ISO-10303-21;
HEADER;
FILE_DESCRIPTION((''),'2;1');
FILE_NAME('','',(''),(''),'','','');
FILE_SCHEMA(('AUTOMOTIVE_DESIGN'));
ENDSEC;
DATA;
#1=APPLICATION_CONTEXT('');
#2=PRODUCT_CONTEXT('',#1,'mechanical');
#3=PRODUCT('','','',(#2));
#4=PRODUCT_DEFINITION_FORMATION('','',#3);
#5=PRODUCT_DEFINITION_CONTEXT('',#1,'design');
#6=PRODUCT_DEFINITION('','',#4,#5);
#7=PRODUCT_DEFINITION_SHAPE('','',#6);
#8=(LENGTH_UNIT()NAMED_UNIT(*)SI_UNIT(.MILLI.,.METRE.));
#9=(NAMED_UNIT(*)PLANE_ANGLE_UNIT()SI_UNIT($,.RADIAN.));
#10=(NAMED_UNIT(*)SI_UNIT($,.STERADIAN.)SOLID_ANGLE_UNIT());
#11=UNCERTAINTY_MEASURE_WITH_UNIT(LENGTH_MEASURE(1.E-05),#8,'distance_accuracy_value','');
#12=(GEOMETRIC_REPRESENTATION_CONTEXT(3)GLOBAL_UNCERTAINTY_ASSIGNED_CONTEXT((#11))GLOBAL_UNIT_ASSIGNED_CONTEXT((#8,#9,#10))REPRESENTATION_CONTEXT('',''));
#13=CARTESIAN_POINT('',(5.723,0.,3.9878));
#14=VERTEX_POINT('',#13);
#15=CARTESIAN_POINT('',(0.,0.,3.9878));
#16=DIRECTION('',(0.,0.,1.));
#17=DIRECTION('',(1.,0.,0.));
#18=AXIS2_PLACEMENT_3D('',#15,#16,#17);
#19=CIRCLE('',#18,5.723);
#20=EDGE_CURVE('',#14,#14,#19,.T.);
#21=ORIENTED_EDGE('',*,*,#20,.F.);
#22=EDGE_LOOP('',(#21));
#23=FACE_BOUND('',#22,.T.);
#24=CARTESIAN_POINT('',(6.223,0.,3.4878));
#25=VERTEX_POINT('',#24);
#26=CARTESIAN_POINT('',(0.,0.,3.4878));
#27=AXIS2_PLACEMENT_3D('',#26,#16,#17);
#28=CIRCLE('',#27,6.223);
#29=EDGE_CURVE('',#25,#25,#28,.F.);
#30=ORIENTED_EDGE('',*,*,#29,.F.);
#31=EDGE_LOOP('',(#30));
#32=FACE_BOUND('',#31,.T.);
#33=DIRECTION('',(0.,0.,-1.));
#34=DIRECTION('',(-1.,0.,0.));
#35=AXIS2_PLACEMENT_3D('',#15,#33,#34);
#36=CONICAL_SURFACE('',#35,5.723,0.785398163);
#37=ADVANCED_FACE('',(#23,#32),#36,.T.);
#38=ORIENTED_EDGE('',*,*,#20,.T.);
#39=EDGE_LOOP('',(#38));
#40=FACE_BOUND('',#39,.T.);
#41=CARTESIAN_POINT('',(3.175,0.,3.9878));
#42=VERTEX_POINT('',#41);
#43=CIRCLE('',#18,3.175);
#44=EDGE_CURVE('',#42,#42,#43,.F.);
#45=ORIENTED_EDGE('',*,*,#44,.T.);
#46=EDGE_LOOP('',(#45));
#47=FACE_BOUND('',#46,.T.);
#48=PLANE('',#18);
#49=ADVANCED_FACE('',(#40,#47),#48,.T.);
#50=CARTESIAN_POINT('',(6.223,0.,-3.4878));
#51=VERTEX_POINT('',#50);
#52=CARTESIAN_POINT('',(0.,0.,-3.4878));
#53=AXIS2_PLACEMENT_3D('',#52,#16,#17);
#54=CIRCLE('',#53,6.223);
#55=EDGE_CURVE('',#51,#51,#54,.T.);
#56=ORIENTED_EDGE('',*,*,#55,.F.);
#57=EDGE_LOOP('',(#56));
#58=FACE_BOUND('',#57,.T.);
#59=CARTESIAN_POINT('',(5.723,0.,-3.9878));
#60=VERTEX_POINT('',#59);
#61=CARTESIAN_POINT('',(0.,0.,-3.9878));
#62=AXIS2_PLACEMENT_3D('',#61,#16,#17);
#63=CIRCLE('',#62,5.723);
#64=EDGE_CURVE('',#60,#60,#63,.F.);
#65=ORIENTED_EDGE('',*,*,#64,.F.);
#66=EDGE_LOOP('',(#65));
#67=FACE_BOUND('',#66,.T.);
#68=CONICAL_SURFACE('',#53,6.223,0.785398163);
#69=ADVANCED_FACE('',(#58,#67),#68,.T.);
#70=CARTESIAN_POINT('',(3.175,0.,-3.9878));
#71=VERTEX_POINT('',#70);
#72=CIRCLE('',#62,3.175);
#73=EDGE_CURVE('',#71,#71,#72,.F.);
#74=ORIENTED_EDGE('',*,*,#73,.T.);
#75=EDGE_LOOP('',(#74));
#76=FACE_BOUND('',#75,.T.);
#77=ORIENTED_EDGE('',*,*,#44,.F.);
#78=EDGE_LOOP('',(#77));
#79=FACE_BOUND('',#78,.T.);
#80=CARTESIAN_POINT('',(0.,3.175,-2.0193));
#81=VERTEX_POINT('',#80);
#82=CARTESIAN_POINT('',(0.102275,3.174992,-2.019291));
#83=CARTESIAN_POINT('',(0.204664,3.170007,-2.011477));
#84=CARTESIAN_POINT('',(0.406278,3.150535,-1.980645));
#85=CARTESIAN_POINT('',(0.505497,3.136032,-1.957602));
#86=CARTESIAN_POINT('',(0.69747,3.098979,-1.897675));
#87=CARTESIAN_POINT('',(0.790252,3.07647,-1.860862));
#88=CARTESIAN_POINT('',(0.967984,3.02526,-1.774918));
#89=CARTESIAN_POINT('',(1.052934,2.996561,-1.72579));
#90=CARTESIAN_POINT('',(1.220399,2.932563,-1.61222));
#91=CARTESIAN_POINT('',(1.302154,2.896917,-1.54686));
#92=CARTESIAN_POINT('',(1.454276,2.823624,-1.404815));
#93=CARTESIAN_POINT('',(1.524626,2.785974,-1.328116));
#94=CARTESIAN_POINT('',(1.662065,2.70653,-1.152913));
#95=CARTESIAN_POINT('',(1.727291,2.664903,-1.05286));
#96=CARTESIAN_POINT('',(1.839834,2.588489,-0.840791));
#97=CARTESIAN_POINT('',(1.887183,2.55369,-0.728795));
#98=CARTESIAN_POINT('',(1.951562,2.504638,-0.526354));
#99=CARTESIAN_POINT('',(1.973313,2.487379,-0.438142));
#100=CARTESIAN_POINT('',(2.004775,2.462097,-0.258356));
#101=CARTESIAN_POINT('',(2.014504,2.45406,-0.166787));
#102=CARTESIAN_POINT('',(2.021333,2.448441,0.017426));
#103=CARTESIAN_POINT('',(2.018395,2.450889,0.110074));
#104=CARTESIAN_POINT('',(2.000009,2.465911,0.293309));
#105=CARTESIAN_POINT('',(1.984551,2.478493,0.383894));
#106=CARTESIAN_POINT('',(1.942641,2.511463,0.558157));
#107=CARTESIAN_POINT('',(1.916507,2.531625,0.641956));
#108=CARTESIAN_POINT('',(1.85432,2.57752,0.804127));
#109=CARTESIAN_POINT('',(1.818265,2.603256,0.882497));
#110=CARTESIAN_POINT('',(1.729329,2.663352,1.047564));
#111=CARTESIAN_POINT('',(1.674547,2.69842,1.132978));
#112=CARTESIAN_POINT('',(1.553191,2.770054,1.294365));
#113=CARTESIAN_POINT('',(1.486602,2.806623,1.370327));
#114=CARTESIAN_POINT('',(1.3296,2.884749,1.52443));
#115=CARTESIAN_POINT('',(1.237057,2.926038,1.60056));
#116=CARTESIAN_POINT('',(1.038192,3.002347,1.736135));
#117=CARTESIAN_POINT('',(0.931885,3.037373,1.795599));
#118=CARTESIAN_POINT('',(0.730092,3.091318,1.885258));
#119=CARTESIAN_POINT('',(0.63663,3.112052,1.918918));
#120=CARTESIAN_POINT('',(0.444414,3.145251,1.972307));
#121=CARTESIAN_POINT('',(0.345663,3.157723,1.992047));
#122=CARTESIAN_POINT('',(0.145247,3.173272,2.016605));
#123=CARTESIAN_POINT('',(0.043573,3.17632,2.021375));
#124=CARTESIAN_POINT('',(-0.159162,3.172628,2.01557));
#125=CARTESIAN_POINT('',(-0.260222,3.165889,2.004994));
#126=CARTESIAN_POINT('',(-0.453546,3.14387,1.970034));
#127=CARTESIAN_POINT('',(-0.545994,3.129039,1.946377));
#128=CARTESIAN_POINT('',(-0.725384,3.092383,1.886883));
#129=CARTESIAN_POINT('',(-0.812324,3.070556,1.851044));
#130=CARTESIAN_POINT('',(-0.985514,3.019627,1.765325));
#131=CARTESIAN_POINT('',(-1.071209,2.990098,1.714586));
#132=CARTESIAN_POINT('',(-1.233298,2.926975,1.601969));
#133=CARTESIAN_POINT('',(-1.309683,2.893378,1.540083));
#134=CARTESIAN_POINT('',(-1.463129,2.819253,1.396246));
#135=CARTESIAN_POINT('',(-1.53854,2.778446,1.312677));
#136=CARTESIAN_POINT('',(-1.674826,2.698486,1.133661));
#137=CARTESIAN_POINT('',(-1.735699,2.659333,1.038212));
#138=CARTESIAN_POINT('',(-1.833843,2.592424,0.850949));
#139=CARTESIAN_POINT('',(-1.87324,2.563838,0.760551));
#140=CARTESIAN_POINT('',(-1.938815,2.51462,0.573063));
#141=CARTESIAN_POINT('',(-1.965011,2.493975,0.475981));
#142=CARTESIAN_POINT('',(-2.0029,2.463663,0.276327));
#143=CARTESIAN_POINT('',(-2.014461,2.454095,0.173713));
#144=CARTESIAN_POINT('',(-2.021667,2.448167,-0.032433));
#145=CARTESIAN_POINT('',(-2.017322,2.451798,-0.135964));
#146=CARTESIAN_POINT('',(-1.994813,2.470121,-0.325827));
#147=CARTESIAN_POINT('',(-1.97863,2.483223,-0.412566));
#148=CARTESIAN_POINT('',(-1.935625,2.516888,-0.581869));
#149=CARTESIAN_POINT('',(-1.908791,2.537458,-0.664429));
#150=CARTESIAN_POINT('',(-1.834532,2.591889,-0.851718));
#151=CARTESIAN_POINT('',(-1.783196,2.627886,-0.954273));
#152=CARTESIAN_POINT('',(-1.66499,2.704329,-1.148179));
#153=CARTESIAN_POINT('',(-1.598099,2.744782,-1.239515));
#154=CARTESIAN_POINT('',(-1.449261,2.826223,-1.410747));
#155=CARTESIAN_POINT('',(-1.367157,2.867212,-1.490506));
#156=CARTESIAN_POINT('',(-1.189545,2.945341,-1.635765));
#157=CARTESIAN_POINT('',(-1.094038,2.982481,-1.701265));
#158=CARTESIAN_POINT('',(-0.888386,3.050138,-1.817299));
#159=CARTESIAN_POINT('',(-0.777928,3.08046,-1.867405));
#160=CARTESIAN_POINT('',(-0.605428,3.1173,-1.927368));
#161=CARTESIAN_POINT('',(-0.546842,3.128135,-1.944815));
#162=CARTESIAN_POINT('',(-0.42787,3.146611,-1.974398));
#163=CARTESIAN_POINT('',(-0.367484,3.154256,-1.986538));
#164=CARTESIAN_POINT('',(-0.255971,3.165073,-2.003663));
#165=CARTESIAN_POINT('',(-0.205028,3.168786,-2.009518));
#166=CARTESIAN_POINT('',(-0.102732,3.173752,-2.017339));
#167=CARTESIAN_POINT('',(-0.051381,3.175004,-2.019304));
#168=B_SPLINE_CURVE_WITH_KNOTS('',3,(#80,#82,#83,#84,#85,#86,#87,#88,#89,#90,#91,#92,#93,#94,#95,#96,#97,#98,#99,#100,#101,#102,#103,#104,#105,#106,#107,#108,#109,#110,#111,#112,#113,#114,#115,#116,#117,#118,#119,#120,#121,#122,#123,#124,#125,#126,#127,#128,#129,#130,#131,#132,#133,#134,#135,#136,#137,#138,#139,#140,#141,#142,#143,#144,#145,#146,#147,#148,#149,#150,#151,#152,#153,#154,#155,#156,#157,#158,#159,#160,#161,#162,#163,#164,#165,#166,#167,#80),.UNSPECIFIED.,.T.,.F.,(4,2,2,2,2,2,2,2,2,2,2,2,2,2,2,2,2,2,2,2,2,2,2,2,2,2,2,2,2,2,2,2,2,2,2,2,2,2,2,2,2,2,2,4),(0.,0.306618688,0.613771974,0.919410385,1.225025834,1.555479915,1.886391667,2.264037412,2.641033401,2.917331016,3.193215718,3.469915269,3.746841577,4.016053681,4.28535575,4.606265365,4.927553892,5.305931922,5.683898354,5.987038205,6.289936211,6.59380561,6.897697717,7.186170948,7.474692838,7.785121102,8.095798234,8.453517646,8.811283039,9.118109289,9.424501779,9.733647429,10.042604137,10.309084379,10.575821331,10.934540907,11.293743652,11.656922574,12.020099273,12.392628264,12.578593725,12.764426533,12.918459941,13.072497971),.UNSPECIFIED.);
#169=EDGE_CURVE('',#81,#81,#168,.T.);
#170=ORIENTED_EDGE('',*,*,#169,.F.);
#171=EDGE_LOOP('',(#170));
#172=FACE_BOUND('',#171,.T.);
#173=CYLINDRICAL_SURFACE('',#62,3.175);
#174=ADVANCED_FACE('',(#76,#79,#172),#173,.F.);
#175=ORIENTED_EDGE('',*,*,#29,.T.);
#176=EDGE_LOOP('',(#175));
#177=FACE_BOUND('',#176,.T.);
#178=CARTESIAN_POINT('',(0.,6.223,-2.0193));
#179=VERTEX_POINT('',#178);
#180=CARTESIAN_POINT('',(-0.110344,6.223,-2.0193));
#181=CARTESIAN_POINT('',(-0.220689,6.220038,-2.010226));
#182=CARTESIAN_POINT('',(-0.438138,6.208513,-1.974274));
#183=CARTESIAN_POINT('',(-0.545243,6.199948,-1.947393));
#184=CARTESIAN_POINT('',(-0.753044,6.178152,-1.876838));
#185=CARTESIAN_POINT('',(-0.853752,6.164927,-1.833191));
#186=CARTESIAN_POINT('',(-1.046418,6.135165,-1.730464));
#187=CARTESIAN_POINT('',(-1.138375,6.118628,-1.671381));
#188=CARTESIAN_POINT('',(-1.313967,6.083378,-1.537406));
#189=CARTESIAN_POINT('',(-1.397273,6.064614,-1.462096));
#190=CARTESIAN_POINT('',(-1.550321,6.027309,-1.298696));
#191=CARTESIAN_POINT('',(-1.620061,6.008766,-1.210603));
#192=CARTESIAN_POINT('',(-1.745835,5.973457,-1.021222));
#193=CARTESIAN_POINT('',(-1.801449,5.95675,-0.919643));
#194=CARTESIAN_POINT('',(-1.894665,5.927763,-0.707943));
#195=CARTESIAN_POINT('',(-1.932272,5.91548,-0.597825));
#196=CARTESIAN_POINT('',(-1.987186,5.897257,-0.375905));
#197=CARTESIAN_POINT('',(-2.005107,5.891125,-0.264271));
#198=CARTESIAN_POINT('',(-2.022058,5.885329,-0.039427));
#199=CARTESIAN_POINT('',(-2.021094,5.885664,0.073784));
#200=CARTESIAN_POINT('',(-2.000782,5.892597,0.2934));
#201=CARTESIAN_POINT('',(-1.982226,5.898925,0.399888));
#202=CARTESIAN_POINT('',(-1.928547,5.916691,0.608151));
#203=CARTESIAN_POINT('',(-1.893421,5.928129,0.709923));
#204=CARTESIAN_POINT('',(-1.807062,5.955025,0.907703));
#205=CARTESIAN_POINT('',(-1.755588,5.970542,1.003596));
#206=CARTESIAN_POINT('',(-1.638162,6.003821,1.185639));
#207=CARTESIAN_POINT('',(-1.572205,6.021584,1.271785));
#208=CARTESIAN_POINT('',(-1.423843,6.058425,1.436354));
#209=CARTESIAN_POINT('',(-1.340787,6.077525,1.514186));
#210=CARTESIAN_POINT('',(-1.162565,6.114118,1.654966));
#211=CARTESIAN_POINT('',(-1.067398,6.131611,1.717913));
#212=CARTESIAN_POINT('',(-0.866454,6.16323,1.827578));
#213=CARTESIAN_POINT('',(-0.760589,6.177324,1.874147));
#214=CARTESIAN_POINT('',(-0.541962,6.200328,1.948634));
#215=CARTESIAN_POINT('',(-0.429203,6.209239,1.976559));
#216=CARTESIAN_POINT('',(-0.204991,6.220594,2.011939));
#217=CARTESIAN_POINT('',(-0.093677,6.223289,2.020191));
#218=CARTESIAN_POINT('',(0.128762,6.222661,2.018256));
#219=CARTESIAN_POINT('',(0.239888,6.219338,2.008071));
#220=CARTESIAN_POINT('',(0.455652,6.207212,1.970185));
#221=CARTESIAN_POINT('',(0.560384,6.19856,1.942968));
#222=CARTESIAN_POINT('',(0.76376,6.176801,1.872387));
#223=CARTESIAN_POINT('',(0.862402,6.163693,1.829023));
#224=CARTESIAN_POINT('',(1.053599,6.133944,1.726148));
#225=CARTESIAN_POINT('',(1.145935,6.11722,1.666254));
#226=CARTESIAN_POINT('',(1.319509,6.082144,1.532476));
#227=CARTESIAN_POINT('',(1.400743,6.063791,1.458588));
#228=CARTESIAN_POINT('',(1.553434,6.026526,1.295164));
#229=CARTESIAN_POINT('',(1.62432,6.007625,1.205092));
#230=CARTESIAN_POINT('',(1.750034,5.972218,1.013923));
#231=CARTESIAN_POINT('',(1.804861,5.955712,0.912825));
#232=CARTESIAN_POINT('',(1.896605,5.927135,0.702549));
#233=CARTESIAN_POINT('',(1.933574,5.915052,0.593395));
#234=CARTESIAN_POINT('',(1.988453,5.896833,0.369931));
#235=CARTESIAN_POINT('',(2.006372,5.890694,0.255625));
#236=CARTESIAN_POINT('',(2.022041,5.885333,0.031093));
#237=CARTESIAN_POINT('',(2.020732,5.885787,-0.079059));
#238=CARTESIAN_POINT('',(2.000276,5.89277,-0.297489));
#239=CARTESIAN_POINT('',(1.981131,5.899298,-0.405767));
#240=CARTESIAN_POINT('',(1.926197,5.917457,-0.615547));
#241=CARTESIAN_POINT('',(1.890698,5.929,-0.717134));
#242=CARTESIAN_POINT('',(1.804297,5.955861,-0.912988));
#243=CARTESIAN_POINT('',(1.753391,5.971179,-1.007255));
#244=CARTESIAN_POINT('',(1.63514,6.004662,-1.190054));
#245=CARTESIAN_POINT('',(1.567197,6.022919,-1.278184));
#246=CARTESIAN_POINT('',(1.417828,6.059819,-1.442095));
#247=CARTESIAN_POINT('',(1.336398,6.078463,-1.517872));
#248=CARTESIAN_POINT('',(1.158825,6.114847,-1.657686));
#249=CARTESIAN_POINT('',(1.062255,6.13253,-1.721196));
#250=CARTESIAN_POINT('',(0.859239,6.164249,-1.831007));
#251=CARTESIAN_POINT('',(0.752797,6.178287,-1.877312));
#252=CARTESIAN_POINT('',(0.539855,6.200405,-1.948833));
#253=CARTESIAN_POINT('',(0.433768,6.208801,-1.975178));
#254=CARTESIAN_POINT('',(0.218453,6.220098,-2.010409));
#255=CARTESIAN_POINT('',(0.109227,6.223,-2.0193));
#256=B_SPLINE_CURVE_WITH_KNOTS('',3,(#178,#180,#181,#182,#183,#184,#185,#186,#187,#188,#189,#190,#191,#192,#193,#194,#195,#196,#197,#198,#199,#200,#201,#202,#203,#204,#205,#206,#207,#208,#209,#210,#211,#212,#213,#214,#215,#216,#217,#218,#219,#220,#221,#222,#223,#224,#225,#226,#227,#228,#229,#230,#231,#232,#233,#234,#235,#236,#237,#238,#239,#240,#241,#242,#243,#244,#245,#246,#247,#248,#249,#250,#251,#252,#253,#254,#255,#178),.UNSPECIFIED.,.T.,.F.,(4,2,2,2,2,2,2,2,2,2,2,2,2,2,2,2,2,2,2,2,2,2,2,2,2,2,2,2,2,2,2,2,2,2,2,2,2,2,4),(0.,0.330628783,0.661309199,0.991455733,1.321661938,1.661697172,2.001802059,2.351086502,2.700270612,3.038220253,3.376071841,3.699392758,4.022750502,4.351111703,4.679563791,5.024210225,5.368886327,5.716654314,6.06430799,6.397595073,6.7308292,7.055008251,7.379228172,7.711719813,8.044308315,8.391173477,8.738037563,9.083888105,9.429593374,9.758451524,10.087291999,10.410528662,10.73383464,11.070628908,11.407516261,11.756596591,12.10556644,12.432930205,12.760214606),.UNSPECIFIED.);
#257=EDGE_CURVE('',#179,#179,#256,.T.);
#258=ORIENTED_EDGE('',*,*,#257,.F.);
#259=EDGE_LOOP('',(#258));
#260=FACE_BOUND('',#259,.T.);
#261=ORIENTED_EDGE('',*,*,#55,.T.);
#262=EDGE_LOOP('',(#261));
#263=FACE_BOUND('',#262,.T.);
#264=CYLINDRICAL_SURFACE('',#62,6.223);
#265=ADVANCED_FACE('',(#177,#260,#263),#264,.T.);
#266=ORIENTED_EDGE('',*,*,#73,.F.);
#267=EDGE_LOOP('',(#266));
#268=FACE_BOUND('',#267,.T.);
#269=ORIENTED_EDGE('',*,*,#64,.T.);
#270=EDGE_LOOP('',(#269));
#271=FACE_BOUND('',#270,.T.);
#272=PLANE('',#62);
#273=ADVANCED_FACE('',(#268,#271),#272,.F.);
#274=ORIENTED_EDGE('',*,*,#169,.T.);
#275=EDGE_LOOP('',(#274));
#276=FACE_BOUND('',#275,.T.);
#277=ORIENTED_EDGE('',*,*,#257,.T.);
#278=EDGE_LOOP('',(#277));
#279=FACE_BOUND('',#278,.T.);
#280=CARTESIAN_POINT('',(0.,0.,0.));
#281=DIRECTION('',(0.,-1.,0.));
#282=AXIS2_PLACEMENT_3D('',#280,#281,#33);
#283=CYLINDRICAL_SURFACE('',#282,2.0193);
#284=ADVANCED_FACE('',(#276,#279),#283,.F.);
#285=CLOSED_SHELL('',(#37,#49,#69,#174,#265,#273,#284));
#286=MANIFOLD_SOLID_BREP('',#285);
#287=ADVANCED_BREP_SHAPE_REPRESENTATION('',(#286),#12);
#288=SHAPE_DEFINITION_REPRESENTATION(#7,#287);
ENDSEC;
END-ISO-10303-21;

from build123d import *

# Parameters (mm, degrees)
SKETCH1_R     = 6.223
SKETCH1_R_2   = 3.175
CHAMFER1_SIZE = 0.5
SKETCH4_W     = 2.0193
SKETCH4_H     = 6.223


with BuildPart() as part:
    # Sweep1: sweep along a path in Sketch2
    with BuildLine(Plane(origin=(0, 0, 0), x_dir=(1, 0, 0), z_dir=(0, 1, 0))) as sweep1_path:
        Line((0, -3.9878), (0, 3.9878))
    # Sketch1 → Sweep1 (sweep)
    with BuildSketch(Plane.XY):
        Circle(SKETCH1_R)
        Circle(SKETCH1_R_2, mode=Mode.SUBTRACT)
    sweep(path=sweep1_path.line)

    # Chamfer1
    chamfer1_edges = [part.edges().sort_by_distance(p)[0] for p in [
        (-6.223, 0, 3.9878),
        (-6.223, 0, -3.9878),
    ]]
    chamfer(chamfer1_edges, length=CHAMFER1_SIZE)

    # Sketch4 → Tap Drill for #10-32 Tap1 (revolve, cut)
    with BuildSketch(Plane(origin=(0, 0, 0), x_dir=(0, 0, -1), z_dir=(1, 0, 0))):
        with Locations((1.00965, 3.1115)):
            Rectangle(SKETCH4_W, SKETCH4_H)
    revolve(axis=Axis((0, -6.35, 0), (0, 1, 0)), mode=Mode.SUBTRACT)


solid = part.part
